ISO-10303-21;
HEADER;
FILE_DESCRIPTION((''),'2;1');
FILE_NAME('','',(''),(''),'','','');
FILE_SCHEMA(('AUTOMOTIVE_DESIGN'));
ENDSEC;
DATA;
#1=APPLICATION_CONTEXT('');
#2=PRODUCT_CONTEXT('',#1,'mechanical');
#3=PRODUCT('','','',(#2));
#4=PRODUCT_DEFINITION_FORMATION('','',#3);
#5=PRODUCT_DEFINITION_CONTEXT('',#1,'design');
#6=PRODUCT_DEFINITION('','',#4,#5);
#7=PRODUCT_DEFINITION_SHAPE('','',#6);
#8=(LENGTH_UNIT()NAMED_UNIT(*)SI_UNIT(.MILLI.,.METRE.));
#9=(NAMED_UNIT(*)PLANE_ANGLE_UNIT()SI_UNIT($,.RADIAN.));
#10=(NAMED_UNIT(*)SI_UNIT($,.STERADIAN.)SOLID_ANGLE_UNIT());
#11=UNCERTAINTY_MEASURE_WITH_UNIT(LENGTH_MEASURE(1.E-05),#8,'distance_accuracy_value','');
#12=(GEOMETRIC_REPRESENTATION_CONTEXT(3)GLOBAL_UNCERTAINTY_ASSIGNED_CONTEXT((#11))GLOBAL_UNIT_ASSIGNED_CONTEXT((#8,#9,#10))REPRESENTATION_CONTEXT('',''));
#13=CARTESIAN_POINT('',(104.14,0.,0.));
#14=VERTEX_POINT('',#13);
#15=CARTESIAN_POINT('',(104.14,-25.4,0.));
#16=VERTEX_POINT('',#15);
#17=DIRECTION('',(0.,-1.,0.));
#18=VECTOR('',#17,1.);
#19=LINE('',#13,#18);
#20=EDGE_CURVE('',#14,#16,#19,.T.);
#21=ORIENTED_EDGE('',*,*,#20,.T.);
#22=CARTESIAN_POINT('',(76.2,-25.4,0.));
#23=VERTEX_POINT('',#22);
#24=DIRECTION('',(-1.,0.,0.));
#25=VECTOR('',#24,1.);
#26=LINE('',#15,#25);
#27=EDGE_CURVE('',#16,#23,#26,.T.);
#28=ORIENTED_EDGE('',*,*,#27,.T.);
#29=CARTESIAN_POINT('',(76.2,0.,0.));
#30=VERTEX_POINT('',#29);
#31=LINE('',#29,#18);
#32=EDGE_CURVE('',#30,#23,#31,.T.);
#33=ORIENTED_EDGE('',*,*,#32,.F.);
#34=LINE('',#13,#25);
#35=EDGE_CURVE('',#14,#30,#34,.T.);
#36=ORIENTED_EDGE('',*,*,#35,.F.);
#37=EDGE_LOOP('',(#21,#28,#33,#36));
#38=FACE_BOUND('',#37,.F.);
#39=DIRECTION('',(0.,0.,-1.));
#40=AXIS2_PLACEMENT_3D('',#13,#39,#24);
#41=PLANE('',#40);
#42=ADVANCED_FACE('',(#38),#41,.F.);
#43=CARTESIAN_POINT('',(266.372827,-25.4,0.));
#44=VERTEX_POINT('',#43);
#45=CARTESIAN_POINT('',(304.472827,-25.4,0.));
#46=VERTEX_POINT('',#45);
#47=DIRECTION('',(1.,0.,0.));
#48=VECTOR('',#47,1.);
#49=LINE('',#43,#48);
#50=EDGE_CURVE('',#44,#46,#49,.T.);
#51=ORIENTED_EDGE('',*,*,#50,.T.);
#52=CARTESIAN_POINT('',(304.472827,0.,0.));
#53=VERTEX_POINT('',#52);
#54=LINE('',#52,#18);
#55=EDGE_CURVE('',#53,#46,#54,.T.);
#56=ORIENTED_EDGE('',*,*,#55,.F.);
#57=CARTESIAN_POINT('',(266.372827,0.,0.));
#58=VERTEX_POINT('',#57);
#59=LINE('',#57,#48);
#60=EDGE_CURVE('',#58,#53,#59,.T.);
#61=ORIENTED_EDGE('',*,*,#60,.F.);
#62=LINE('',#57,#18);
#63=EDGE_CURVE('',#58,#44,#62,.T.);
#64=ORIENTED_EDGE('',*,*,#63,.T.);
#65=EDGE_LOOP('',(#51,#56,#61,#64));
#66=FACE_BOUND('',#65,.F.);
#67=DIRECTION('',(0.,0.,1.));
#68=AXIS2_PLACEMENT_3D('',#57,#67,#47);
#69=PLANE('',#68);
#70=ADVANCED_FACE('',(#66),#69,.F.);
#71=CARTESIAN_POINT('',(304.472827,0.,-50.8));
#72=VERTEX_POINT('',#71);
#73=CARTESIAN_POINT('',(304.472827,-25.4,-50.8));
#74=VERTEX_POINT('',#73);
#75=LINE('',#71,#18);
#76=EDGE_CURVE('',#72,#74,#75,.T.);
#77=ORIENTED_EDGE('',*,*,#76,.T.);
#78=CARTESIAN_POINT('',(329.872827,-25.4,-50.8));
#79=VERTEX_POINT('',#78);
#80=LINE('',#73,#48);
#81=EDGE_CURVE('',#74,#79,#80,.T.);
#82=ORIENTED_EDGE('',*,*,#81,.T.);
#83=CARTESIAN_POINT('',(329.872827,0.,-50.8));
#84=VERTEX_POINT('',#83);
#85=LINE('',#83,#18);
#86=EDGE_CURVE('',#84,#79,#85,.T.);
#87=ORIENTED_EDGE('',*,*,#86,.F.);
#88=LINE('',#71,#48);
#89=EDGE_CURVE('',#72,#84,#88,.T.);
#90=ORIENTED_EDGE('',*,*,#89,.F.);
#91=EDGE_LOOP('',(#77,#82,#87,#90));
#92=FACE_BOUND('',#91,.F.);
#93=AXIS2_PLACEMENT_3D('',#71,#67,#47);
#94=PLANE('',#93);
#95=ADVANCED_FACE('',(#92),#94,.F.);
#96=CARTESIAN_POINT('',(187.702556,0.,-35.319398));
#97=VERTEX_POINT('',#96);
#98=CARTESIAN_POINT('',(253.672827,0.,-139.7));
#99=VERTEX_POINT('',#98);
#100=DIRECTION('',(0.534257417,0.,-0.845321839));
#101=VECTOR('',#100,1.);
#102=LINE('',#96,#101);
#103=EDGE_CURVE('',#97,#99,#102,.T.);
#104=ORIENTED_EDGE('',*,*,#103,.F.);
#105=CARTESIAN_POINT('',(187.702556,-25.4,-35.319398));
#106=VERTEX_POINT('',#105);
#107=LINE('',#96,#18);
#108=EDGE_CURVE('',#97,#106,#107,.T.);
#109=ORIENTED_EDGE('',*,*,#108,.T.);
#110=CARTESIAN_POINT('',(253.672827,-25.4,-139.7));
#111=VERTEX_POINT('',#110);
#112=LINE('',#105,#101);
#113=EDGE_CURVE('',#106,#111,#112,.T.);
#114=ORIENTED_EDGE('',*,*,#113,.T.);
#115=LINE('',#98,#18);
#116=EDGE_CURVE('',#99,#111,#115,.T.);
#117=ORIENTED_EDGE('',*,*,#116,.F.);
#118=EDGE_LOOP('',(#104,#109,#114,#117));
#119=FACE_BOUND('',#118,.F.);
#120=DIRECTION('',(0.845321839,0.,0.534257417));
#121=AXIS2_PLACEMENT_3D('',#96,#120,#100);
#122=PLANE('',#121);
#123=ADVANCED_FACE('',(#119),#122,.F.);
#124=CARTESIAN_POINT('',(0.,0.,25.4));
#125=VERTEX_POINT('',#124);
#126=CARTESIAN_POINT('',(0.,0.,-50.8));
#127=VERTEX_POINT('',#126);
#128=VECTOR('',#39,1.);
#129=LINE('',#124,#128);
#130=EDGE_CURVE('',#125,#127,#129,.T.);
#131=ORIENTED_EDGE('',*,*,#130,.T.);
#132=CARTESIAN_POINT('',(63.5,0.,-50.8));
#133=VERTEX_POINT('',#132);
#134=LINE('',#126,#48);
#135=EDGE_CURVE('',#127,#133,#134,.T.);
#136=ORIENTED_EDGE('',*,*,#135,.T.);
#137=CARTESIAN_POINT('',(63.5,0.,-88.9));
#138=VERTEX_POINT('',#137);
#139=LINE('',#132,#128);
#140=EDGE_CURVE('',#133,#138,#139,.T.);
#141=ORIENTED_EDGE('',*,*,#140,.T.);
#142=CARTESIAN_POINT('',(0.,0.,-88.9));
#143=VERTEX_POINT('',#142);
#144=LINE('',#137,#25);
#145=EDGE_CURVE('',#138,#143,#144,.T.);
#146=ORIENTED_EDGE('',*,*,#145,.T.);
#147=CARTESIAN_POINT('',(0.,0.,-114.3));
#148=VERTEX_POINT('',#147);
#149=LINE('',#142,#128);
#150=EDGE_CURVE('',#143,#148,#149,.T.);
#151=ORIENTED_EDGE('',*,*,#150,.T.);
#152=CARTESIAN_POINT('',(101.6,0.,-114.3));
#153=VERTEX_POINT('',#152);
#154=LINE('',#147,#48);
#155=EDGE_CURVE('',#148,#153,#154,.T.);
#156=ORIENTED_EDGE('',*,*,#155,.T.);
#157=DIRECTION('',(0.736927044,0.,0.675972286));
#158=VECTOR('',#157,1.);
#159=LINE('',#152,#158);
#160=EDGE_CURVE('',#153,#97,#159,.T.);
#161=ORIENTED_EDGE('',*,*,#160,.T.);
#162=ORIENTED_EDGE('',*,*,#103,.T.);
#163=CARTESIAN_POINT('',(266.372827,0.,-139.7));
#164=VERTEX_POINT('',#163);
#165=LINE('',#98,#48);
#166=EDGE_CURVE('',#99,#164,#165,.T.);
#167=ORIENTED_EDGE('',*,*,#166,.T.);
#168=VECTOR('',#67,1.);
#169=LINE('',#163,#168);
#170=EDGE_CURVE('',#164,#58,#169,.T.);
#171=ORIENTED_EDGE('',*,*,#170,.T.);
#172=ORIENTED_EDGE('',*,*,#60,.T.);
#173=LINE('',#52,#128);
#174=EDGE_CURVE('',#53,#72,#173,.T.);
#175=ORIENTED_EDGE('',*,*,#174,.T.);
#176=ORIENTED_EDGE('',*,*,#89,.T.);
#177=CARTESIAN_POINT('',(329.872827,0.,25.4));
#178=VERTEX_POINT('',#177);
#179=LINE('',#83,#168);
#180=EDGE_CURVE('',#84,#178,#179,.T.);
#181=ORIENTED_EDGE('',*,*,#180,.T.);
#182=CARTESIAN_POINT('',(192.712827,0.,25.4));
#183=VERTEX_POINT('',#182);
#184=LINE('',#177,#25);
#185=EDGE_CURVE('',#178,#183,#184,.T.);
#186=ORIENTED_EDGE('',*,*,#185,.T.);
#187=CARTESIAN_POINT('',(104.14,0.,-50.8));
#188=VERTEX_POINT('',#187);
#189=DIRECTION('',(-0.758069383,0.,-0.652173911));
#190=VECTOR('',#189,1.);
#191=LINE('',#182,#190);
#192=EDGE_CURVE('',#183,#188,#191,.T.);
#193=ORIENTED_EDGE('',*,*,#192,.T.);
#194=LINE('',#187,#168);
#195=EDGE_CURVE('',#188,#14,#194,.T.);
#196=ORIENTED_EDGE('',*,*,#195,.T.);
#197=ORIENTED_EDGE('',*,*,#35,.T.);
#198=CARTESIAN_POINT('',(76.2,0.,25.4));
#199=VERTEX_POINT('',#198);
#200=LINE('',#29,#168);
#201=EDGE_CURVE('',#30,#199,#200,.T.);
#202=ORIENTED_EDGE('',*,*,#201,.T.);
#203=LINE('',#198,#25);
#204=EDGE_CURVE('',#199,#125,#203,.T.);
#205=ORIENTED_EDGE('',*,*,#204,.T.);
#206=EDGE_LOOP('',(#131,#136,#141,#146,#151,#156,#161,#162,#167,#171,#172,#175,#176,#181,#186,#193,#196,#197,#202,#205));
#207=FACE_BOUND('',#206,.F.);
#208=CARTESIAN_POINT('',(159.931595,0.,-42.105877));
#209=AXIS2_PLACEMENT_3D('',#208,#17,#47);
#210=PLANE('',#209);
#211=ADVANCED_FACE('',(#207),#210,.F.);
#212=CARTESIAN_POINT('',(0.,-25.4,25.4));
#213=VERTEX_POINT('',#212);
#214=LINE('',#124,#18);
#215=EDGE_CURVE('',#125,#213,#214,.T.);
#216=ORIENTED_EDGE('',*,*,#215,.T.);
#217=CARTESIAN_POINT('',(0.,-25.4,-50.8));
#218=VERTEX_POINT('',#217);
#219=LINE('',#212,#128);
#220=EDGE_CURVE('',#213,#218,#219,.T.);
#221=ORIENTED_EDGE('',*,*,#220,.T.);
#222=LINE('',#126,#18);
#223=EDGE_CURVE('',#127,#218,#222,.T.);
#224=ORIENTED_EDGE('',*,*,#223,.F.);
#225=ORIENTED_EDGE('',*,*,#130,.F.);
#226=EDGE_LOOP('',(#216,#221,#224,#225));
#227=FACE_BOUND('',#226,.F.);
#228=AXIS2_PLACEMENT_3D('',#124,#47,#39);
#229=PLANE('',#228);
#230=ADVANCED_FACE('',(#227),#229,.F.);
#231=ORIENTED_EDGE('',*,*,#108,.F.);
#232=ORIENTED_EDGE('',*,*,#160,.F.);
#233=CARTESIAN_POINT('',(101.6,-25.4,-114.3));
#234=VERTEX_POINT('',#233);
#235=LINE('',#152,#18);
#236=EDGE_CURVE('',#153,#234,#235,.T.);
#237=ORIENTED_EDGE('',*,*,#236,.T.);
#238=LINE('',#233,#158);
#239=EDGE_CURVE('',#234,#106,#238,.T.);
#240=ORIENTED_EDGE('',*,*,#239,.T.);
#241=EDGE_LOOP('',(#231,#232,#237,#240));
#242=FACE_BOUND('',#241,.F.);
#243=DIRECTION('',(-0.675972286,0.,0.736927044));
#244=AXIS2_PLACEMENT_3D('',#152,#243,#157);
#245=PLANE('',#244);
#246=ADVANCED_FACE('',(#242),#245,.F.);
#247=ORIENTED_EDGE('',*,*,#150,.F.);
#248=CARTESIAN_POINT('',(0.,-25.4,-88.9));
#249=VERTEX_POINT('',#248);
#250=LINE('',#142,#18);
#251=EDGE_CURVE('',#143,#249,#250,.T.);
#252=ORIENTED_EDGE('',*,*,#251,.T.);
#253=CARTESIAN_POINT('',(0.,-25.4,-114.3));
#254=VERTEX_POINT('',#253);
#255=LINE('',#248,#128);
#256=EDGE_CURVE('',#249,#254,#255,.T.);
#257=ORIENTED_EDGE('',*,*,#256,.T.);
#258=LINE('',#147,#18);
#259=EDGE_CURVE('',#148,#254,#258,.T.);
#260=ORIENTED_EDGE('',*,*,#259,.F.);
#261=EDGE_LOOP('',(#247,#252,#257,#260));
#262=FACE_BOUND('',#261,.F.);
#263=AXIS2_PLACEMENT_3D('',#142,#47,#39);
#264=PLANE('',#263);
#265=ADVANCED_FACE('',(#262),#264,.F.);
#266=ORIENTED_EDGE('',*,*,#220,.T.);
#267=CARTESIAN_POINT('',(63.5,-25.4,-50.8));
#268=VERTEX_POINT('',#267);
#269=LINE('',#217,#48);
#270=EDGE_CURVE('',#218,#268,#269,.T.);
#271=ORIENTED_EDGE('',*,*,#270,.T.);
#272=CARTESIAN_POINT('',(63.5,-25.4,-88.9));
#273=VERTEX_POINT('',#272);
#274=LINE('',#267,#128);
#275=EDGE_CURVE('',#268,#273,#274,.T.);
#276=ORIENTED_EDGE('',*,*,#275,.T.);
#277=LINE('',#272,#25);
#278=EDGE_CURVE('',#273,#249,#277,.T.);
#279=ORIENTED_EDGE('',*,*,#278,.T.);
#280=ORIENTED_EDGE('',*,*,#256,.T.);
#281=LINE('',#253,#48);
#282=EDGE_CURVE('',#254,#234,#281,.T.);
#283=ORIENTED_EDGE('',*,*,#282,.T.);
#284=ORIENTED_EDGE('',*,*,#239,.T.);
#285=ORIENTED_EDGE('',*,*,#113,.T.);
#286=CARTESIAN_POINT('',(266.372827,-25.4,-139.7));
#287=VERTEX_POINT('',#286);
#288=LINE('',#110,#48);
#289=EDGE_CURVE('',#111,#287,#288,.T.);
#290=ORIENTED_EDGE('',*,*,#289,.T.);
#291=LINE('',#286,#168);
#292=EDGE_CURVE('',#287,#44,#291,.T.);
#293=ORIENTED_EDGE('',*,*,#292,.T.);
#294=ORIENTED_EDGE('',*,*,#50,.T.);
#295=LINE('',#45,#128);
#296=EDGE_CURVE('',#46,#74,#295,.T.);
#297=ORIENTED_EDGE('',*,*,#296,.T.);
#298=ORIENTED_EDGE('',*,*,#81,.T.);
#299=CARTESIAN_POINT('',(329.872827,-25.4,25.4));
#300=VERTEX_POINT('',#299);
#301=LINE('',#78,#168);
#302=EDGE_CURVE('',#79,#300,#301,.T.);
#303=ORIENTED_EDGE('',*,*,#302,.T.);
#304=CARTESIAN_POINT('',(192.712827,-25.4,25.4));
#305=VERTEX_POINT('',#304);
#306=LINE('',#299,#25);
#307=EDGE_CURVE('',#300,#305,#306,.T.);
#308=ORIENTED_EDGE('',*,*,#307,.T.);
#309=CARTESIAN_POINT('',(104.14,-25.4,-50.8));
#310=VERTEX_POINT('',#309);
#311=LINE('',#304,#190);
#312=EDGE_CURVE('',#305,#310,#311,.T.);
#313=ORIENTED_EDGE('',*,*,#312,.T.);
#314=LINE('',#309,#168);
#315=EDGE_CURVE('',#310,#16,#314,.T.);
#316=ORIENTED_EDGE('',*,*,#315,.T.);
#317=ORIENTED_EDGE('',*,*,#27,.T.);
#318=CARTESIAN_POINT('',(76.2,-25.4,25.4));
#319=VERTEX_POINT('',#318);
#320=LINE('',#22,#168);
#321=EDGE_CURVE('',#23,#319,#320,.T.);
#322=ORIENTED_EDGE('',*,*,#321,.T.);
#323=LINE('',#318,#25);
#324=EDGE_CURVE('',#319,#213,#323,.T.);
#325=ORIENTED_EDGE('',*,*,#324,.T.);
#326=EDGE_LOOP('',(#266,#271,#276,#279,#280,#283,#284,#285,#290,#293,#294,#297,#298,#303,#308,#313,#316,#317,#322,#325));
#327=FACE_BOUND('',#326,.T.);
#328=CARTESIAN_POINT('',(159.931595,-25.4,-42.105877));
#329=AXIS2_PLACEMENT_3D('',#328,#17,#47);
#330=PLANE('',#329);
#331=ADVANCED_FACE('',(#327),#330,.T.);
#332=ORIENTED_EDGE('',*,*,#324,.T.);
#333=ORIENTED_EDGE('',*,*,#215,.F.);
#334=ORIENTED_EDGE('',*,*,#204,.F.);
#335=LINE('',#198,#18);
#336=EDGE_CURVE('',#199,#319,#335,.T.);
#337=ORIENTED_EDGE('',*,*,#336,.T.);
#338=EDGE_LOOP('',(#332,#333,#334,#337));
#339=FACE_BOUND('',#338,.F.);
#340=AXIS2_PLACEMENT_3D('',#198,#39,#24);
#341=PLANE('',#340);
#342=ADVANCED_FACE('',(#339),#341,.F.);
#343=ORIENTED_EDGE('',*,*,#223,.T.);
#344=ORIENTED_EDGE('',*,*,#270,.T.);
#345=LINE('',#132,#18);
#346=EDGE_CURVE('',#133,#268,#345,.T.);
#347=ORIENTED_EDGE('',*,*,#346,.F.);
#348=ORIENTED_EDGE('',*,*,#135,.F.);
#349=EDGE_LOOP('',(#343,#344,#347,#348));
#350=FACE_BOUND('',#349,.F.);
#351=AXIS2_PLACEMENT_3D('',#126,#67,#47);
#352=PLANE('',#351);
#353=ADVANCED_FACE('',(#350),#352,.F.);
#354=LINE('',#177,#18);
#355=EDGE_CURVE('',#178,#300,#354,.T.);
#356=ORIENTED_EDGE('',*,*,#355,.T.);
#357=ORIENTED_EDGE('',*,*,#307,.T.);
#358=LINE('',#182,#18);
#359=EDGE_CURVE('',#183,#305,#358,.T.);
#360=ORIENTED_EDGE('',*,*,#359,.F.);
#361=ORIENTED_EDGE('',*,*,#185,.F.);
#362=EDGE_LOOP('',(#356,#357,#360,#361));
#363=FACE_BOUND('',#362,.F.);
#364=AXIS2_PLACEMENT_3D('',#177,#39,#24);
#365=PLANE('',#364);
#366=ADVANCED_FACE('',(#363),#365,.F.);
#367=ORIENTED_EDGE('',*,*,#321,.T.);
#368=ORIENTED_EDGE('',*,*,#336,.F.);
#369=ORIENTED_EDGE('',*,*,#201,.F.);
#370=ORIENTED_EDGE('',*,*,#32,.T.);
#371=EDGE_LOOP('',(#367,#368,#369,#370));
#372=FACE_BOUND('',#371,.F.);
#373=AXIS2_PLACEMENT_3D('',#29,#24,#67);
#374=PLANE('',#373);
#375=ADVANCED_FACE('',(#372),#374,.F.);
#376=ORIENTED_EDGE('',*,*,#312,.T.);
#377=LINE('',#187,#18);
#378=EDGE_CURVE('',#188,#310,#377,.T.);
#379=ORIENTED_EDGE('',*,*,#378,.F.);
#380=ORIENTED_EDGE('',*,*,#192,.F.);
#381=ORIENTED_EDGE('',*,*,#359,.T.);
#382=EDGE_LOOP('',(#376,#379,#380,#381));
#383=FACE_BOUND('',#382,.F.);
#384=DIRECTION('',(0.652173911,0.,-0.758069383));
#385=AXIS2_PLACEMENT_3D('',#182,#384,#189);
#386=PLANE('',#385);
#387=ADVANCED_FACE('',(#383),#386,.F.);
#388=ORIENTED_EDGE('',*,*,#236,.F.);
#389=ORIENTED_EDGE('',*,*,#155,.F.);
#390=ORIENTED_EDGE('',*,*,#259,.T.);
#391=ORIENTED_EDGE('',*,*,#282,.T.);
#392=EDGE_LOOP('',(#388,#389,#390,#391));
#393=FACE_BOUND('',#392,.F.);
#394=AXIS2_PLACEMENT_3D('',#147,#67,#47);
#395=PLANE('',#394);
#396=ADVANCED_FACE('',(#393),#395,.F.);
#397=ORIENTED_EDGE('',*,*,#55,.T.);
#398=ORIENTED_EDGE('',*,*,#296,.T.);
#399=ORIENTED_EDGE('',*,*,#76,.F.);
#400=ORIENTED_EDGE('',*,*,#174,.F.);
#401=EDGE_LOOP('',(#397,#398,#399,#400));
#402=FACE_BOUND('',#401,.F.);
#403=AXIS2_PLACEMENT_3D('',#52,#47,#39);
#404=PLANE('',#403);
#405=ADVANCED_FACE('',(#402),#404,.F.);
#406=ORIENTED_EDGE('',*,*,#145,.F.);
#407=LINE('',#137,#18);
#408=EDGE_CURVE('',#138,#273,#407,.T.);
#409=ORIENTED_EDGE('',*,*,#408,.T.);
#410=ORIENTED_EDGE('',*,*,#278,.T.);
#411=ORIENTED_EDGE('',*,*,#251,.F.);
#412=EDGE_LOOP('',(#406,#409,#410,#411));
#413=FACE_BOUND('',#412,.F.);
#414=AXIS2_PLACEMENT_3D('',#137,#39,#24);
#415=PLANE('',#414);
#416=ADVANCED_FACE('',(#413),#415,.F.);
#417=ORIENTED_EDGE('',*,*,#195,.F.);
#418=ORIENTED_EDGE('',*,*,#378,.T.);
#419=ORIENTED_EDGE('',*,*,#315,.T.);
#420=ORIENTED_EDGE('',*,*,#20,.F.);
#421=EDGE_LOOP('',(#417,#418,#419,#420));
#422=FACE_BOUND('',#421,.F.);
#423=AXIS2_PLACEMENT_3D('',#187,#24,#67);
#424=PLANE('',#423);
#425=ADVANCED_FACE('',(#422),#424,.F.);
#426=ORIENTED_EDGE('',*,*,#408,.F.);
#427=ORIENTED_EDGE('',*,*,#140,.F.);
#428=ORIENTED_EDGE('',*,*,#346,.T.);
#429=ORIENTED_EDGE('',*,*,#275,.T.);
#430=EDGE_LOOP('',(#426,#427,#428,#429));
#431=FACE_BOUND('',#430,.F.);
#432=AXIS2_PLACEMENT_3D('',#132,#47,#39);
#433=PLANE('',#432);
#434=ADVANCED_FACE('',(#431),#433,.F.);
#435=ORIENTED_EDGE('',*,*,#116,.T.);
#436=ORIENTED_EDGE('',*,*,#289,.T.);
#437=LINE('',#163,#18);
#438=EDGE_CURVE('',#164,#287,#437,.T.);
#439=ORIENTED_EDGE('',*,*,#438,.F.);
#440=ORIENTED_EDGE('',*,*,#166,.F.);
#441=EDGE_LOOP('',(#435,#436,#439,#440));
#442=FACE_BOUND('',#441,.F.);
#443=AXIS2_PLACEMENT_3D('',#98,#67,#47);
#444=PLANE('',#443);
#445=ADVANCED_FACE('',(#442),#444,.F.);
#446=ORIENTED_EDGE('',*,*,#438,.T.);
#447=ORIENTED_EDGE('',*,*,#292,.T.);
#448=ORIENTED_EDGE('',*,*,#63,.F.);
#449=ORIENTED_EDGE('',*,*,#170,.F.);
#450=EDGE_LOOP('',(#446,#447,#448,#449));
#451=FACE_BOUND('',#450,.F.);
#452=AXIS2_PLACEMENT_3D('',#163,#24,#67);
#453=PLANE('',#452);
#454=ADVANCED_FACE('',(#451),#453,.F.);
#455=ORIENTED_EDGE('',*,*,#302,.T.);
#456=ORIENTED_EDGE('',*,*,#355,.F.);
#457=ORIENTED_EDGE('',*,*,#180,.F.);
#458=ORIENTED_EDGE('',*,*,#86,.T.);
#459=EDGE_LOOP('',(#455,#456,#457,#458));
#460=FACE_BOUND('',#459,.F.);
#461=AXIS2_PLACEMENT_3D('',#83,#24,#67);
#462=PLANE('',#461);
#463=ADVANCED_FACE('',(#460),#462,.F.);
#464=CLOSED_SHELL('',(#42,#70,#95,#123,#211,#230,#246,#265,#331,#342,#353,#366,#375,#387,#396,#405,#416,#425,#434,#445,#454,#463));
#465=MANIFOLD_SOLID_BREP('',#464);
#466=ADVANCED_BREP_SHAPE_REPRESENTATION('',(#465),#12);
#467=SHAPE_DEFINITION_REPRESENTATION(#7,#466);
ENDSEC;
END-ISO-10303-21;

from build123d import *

# Parameters (mm, degrees)
F1_DEPTH = 25.4


with BuildPart() as f1:
    # F0 (on Front) → F1 (new body)
    with BuildSketch(Plane.XZ):
        Polygon((0, 25.4), (0, 0), (0, -50.8), (63.5, -50.8), (63.5, -88.9), (0, -88.9), (0, -114.3), (101.6, -114.3), (187.702556, -35.319398), (253.672827, -139.7), (266.372827, -139.7), (266.372827, 0), (304.472827, 0), (304.472827, -50.8), (329.872827, -50.8), (329.872827, 0), (329.872827, 25.4), (192.712827, 25.4), (104.14, -50.8), (104.14, 0), (76.2, 0), (76.2, 25.4), align=None)
    extrude(amount=F1_DEPTH)


solid = f1.part
